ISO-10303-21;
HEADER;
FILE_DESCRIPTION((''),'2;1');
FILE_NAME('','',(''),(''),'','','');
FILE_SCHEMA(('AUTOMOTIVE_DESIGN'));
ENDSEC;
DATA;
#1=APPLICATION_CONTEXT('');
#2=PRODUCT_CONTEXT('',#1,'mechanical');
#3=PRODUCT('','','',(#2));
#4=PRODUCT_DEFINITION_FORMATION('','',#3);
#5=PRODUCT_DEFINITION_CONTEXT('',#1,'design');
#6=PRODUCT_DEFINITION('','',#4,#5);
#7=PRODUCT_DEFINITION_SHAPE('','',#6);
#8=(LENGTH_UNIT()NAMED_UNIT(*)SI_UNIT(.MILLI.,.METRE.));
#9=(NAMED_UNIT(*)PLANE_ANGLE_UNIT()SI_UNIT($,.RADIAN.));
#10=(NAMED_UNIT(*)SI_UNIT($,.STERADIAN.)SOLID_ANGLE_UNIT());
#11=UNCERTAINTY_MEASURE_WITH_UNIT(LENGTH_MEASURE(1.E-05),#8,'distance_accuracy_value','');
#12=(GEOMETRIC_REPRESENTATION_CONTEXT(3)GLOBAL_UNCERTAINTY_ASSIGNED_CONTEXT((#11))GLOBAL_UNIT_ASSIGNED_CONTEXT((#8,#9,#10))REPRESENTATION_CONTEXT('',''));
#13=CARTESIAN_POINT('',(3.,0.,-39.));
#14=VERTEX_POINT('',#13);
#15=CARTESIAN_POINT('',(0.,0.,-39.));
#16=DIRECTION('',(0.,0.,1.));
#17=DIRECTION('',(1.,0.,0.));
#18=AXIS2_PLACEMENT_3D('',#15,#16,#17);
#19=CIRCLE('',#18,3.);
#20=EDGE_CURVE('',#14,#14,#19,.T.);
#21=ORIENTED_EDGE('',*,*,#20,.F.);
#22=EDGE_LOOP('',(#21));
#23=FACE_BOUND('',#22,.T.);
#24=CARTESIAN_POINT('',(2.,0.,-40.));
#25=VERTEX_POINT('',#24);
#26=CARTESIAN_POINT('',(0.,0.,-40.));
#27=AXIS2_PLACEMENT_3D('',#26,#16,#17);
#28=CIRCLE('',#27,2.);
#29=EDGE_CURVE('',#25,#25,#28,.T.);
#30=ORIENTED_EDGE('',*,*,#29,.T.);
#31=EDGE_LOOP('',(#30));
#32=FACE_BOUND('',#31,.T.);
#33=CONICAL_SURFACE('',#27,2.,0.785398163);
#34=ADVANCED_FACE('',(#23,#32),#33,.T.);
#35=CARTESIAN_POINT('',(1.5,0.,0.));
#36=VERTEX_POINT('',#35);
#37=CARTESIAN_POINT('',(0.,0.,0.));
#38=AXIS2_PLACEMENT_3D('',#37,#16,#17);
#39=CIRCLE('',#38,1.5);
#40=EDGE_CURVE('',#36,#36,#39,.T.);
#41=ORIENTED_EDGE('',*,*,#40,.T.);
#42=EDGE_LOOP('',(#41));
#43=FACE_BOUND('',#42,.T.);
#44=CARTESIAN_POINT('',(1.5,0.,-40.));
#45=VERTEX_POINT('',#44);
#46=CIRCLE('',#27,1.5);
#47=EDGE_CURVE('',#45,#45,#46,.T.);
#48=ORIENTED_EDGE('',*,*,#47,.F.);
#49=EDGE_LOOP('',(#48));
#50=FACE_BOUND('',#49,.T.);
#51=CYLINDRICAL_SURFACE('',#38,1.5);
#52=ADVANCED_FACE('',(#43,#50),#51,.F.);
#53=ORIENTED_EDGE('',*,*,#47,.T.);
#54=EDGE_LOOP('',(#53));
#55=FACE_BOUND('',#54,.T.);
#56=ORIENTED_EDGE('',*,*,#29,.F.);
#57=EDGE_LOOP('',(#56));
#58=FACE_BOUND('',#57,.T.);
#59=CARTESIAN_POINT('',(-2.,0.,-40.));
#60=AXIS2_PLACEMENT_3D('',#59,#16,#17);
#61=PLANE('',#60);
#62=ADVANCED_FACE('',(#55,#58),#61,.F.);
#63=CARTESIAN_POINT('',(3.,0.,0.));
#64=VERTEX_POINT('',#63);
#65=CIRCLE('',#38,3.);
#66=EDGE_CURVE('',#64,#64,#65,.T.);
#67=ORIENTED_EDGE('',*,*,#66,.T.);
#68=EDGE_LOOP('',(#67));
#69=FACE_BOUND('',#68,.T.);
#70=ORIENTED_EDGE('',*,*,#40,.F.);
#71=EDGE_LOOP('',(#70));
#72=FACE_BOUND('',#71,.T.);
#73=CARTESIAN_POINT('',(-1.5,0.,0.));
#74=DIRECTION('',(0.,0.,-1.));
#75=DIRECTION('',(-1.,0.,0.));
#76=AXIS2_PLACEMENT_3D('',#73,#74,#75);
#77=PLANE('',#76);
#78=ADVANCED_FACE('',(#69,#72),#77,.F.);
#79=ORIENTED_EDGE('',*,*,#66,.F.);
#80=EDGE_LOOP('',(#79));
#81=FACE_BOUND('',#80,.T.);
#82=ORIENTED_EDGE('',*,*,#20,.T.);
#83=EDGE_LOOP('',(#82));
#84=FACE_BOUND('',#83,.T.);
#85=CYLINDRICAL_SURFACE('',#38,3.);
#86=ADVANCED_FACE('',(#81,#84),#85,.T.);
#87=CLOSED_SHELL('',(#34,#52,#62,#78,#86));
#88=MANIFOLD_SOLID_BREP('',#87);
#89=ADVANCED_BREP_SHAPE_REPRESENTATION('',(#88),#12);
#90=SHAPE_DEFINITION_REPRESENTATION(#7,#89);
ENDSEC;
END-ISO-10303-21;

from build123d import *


with BuildPart() as part:
    # Sketch1 → Revolve1 (revolve)
    with BuildSketch(Plane(origin=(0, 0, 0), x_dir=(1, 0, 0), z_dir=(0, 1, 0)), mode=Mode.PRIVATE) as revolve1_sk:
        Polygon((-3, 39), (-2, 40), (-1.5, 40), (-1.5, 0), (-3, 0), align=None)
    revolve(revolve1_sk.sketch.rotate(Axis((0, 0, 0), (0, 0, -1)), 180), axis=Axis((0, 0, 0), (0, 0, -1)))


solid = part.part
